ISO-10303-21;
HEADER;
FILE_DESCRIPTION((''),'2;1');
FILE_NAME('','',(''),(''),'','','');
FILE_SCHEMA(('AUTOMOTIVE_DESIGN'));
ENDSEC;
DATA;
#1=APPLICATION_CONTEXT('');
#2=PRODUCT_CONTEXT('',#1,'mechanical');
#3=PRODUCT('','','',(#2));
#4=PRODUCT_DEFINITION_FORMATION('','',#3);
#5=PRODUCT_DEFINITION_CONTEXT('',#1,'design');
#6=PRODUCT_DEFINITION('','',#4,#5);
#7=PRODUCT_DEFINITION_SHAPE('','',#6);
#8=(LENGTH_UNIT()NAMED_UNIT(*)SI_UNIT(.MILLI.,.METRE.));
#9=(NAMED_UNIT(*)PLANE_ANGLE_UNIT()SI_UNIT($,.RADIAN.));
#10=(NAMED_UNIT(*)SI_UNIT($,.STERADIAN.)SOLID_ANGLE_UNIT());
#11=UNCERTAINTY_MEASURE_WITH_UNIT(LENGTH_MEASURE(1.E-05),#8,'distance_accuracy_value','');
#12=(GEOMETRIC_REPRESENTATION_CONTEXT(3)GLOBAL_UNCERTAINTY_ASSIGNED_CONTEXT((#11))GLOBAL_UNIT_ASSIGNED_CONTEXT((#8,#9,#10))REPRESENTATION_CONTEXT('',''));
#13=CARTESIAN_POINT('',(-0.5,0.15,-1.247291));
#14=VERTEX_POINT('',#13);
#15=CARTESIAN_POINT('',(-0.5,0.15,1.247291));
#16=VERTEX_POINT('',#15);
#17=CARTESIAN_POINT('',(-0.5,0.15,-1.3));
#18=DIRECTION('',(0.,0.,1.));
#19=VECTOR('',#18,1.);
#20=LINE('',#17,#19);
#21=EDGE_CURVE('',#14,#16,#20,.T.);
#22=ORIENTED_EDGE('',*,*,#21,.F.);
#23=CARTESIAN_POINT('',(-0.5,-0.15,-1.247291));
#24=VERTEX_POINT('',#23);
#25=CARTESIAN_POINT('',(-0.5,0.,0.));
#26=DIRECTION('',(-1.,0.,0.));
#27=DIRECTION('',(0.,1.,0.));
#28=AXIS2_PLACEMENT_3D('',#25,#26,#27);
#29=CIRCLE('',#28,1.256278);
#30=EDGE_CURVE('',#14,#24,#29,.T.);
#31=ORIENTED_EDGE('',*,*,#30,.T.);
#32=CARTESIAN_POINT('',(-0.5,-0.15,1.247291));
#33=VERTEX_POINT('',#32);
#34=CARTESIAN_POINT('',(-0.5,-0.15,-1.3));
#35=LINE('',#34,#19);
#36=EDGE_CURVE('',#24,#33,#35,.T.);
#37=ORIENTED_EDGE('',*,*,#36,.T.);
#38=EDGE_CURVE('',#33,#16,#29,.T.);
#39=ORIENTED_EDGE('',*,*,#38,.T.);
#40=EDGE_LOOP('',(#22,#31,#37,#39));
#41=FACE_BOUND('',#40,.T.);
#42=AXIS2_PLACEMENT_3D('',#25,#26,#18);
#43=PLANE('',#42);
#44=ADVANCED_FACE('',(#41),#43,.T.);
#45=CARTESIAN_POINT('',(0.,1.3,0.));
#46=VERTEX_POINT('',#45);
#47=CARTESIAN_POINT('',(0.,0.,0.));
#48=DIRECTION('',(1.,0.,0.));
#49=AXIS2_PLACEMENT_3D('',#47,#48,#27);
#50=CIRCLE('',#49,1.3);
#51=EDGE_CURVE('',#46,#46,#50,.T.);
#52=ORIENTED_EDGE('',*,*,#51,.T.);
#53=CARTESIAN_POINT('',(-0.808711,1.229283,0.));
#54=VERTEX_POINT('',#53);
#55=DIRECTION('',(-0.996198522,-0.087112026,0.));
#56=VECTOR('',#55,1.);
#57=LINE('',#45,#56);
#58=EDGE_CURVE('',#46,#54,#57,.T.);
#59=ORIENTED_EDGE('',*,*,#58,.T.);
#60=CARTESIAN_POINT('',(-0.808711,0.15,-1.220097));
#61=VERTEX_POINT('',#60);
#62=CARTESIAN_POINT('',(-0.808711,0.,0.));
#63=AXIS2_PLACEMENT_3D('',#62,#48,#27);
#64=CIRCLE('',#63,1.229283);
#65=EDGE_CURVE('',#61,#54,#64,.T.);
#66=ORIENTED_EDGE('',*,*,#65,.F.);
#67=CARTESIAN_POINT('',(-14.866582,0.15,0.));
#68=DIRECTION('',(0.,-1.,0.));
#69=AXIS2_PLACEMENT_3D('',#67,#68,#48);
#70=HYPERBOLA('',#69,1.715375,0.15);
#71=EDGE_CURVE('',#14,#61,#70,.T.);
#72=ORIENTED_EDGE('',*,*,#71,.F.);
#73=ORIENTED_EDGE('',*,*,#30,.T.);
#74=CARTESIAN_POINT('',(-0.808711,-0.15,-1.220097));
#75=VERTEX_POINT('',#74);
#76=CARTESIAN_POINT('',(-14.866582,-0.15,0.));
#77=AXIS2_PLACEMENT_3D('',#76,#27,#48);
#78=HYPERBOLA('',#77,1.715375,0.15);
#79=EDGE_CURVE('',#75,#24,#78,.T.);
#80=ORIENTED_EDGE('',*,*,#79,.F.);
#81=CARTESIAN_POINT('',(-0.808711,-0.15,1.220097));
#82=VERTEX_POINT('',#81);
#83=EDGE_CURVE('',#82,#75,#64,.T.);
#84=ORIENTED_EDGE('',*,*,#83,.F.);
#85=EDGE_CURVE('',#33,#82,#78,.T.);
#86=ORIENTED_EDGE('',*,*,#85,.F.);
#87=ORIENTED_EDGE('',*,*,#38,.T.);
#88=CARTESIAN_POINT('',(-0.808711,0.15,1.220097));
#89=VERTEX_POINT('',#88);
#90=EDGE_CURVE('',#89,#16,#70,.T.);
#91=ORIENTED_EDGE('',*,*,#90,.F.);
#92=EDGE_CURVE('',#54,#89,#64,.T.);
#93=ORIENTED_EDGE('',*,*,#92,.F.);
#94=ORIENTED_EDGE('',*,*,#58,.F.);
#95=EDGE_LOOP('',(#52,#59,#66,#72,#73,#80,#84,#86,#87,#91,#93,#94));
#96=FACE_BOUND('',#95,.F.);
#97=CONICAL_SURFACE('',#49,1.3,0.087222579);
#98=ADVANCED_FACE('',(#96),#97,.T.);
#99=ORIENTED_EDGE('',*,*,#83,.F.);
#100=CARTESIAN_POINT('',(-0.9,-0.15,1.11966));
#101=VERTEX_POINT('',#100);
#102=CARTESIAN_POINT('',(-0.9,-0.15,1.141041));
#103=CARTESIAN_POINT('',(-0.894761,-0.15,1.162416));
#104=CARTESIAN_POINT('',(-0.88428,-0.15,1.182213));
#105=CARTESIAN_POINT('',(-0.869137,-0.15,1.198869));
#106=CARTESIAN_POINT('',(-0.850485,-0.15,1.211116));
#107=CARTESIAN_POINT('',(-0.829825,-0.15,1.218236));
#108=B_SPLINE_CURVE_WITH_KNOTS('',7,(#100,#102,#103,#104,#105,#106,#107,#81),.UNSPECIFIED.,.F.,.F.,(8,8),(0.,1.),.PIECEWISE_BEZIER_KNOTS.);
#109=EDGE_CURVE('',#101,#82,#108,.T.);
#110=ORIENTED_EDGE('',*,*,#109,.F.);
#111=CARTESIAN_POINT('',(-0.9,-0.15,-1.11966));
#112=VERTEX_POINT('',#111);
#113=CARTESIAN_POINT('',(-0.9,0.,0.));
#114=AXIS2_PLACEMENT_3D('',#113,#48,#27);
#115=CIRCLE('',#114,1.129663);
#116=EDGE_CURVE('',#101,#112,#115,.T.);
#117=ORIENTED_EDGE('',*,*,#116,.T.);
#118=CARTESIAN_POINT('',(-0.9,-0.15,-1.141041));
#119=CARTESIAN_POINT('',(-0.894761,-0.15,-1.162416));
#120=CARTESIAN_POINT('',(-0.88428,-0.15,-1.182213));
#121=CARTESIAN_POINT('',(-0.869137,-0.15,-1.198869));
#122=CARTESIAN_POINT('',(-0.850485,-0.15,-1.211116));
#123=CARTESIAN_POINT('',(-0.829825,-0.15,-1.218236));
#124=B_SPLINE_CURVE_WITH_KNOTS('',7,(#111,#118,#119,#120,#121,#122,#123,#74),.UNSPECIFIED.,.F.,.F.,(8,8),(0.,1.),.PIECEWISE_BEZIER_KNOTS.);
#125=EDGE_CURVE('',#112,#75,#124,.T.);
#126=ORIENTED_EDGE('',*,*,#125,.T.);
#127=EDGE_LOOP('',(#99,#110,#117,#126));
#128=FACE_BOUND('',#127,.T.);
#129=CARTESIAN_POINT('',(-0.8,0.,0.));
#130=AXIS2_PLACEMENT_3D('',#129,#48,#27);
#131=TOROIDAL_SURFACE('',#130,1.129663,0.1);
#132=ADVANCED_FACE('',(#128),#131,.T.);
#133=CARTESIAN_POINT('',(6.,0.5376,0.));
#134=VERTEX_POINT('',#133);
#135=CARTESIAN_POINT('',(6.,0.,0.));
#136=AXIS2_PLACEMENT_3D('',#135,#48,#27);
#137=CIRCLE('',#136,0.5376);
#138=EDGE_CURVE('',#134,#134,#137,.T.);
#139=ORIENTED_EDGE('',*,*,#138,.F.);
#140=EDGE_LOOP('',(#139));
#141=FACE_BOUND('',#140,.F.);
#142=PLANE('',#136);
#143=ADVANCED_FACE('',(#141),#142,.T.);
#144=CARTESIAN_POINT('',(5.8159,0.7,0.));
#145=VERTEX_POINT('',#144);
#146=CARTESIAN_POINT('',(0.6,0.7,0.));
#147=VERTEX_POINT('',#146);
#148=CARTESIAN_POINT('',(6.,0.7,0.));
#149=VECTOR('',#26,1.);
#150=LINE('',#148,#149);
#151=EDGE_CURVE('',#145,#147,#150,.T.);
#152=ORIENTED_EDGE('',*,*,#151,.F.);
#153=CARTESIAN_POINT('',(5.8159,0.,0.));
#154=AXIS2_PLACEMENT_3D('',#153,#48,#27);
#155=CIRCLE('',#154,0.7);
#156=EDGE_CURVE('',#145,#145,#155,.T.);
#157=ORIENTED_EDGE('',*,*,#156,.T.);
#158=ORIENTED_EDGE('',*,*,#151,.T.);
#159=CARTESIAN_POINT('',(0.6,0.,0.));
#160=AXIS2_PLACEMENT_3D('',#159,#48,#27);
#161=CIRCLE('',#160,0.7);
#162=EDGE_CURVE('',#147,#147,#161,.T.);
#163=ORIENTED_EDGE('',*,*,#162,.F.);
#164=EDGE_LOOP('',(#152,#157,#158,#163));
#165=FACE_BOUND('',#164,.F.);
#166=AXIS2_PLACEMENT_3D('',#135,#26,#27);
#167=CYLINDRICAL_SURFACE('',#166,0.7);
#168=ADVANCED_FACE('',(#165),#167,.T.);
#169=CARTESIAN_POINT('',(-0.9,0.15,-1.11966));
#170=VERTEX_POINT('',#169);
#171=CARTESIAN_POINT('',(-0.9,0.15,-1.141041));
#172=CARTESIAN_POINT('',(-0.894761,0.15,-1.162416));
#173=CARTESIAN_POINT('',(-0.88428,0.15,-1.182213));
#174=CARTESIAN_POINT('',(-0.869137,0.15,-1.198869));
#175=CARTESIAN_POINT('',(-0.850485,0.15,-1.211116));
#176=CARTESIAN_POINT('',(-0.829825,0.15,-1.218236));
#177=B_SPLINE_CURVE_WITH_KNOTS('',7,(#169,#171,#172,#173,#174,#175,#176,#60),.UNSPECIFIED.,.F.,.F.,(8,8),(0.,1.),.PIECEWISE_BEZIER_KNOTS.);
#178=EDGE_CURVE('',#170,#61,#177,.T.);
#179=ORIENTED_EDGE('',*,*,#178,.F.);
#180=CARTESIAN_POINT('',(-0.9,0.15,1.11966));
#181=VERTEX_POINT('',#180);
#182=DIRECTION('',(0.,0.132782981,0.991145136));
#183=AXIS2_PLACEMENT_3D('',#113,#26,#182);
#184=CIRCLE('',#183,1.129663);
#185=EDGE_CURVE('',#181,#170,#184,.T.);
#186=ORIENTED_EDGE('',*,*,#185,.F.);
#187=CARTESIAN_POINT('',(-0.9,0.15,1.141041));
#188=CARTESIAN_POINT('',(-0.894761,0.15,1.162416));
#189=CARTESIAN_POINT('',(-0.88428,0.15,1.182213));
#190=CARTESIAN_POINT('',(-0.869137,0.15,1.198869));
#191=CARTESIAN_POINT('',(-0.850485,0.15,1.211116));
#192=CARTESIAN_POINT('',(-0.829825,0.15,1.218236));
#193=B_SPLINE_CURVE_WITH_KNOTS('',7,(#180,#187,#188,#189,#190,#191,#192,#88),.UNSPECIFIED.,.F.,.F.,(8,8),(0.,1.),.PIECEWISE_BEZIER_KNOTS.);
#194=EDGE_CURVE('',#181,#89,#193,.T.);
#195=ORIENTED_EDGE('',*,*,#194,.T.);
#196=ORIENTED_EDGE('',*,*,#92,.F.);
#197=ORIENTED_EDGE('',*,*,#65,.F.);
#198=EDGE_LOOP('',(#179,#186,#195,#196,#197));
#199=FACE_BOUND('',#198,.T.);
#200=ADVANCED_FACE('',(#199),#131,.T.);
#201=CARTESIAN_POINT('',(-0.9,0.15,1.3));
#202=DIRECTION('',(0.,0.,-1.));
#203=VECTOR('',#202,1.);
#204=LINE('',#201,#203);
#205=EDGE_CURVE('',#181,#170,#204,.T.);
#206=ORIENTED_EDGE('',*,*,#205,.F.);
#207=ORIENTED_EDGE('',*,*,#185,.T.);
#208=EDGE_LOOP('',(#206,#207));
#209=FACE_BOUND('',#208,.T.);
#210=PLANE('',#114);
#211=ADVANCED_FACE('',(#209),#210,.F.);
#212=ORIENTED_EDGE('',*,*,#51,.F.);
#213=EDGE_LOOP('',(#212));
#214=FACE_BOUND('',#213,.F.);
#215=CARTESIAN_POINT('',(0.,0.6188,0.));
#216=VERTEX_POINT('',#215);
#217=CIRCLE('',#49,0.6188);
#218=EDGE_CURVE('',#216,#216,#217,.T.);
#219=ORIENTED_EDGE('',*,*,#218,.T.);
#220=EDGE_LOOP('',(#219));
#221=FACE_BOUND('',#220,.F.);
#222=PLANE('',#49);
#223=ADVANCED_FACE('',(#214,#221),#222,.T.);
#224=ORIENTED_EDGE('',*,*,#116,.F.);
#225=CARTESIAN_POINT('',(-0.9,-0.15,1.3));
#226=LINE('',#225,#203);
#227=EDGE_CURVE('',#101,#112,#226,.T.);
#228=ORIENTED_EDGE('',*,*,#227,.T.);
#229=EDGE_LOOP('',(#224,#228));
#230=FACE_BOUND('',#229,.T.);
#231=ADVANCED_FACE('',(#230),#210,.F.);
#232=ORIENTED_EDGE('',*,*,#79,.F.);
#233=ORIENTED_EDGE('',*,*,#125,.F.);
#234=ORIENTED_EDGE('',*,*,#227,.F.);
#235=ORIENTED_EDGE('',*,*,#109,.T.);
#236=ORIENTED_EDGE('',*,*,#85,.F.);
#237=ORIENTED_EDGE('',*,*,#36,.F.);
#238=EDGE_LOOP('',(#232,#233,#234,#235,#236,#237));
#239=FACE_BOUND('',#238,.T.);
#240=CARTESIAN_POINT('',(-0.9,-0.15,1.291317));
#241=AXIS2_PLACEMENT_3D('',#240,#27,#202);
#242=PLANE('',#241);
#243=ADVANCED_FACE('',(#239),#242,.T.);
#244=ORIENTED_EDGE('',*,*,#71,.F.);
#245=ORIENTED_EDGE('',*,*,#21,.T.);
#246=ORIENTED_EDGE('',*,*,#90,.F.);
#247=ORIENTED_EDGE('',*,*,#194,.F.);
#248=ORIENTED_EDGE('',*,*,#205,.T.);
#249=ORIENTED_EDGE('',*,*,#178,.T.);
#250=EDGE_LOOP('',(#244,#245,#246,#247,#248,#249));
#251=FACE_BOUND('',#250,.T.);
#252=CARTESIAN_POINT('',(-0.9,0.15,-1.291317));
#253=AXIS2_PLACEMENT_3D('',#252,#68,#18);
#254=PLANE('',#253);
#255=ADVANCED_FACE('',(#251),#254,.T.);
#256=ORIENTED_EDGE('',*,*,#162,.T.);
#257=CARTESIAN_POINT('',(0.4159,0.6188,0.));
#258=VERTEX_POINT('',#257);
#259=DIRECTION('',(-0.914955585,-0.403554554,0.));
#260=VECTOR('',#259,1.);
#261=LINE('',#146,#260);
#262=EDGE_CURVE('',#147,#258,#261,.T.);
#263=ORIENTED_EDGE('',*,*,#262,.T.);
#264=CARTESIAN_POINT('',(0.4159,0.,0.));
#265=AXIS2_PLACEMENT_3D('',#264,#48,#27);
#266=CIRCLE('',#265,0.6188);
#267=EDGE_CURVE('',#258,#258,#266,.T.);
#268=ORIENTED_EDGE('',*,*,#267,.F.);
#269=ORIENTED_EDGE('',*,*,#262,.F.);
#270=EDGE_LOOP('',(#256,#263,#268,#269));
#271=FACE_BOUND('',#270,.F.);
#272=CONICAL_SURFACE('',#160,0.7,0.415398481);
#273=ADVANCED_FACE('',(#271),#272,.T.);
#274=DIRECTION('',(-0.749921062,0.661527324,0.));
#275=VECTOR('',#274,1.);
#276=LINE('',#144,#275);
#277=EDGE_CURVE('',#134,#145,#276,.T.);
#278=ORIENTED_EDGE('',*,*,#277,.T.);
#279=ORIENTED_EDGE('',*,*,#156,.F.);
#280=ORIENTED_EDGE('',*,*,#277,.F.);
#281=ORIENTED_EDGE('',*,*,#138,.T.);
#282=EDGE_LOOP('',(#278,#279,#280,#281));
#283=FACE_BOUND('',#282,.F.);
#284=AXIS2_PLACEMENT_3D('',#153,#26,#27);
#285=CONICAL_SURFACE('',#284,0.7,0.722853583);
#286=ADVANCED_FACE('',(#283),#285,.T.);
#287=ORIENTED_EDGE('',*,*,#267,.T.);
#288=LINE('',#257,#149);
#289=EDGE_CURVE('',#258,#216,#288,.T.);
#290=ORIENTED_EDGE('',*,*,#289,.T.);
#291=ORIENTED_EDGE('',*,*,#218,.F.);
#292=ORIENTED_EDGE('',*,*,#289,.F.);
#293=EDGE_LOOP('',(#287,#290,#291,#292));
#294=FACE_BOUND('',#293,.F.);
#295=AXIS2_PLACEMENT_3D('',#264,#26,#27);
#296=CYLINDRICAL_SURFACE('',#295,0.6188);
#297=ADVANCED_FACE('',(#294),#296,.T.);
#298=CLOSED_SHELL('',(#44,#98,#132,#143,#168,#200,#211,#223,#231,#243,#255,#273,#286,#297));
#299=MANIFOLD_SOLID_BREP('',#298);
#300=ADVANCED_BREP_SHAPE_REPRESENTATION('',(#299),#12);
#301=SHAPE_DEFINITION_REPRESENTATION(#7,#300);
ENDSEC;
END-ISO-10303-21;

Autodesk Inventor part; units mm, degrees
ref_plane "YZ Plane" through (0, 0, 0) normal (1, 0, 0) x (0, 1, 0)
ref_plane "XZ Plane" through (0, 0, 0) normal (0, 1, 0) x (-1, 0, 0)
sketch "Skizze1" plane through (0, 0, 0) normal (0, 0, 1) x (1, 0, 0)
  line L0 (-0.9, 0) -> (6, 0)
  line L1 (6, 0) -> (6, 0.7)
  line L2 (6, 0.7) -> (0.6, 0.7)
  line L3 (0.6, 0.7) -> (0.4159, 0.6188)
  line L4 (0.4159, 0.6188) -> (0, 0.6188)
  line L5 (0, 0.6188) -> (0, 1.3)
  line L6 (-2.28, 0) -> (7.38, 0) projected
  line L7 (0, -0.26) -> (0, 1.56) projected
  line L8 (-0.9, 0) -> (-0.9, 1.2213)
  line L9 (0, 1.3) -> (-0.9, 1.2213)
  line L10 (0.6, 0.7) -> (0, 0.7) construction
  dimension "d0" = 6
  dimension "d1" = 5.4
  dimension "d2" = 0.1841
  dimension "d3" = 0.9
  dimension "d4" = 1.4
  dimension "d5" = 1.2376
  dimension "d9" = 2.6
  dimension "d10" = 5
revolve "Körper" add sketch "Skizze1" angle 360 about axis through (-0.9, 0, 0) along (1, 0, 0)
sketch "Skizze2" plane through (-0.9, 0, 0) normal (-1, 0, 0) x (0, 0, 1)
  circle A0 centre (0, 0) radius 1.3 projected
  line L0 (0, 0) -> (0, 1.2213) projected
  line L1 (-1.3, 0.15) -> (1.3, 0.15)
  line L2 (1.3, 0.15) -> (1.3, -0.15)
  line L3 (1.3, -0.15) -> (-1.3, -0.15)
  line L4 (-1.3, -0.15) -> (-1.3, 0.15)
  line L5 (-1.3, 0) -> (1.3, 0) construction
  line L6 (0, 0.15) -> (0, -0.15) construction
  dimension "d11" = 0.3
  dimension "d12" = 2.6
fillet "Rundung1" radius 0.1 1 edges at (-0.9, -1.2213, 0)
extrude "Loch" cut sketch "Skizze2" against normal blind 0.4 contours A0 L3 L1 | L2 L3 A0 | A0 L1 L2 | A0 L4 L1 | L3 L4 A0
thread "Gewinde" size "M1.4x0.3" class "6g" standard "ISO Metric profile" length 5.4
chamfer "Fase1" distance 0.1624 distance2 0.1841 1 edges at (6, -0.7, 0) measured on face at (6, 0.4293, -0.1327)
ref_plane "Work Plane1" through (30.1625, 0, 0) normal (0, 0, -1) x (1, 0, 0)
equation "\"d11\" = SBR"
equation "\"d12\" = KOD"
equation "\"d14\" = RR"
equation "\"d19\" = STI"
equation "\"d15\" = GEL"
equation "\"d17\" = -0.5 * SPD + 0.5 * GD"
equation "\"d0\" = NLG"
equation "\"d1\" = GEL"
equation "\"d3\" = KOH"
equation "\"d4\" = GD"
equation "\"d5\" = BDM"
equation "\"d9\" = KOD"
equation "\"d10\" = KEWI"
equation "\"GD\" = 1.4"
equation "\"NLG\" = 6"
equation "\"GEL\" = 5.4"
equation "\"KOD\" = 2.6"
equation "\"KOH\" = 0.9"
equation "\"GAL\" = 0.61345 * PTC"
equation "\"SPD\" = 1.07524"
equation "\"BDM\" = 1.23762"
equation "\"GUL\" = 0.61345 * PTC"
equation "\"RR\" = 0.1"
equation "\"SBR\" = 0.3"
equation "\"STI\" = 0.4"
equation "\"KEWI\" = 5deg"
equation "\"PTC\" = 0.3"
equation "\"THREADDIA\" = 1.4"
equation "\"TOA\" = 30deg"
equation "\"NND\" = 1.4"
equation "\"GD1\" = THREADDIA - 1.2269 * PTC"
properties part number "DIN 84 - M1,4 x 6" material "Stahl, weich"
